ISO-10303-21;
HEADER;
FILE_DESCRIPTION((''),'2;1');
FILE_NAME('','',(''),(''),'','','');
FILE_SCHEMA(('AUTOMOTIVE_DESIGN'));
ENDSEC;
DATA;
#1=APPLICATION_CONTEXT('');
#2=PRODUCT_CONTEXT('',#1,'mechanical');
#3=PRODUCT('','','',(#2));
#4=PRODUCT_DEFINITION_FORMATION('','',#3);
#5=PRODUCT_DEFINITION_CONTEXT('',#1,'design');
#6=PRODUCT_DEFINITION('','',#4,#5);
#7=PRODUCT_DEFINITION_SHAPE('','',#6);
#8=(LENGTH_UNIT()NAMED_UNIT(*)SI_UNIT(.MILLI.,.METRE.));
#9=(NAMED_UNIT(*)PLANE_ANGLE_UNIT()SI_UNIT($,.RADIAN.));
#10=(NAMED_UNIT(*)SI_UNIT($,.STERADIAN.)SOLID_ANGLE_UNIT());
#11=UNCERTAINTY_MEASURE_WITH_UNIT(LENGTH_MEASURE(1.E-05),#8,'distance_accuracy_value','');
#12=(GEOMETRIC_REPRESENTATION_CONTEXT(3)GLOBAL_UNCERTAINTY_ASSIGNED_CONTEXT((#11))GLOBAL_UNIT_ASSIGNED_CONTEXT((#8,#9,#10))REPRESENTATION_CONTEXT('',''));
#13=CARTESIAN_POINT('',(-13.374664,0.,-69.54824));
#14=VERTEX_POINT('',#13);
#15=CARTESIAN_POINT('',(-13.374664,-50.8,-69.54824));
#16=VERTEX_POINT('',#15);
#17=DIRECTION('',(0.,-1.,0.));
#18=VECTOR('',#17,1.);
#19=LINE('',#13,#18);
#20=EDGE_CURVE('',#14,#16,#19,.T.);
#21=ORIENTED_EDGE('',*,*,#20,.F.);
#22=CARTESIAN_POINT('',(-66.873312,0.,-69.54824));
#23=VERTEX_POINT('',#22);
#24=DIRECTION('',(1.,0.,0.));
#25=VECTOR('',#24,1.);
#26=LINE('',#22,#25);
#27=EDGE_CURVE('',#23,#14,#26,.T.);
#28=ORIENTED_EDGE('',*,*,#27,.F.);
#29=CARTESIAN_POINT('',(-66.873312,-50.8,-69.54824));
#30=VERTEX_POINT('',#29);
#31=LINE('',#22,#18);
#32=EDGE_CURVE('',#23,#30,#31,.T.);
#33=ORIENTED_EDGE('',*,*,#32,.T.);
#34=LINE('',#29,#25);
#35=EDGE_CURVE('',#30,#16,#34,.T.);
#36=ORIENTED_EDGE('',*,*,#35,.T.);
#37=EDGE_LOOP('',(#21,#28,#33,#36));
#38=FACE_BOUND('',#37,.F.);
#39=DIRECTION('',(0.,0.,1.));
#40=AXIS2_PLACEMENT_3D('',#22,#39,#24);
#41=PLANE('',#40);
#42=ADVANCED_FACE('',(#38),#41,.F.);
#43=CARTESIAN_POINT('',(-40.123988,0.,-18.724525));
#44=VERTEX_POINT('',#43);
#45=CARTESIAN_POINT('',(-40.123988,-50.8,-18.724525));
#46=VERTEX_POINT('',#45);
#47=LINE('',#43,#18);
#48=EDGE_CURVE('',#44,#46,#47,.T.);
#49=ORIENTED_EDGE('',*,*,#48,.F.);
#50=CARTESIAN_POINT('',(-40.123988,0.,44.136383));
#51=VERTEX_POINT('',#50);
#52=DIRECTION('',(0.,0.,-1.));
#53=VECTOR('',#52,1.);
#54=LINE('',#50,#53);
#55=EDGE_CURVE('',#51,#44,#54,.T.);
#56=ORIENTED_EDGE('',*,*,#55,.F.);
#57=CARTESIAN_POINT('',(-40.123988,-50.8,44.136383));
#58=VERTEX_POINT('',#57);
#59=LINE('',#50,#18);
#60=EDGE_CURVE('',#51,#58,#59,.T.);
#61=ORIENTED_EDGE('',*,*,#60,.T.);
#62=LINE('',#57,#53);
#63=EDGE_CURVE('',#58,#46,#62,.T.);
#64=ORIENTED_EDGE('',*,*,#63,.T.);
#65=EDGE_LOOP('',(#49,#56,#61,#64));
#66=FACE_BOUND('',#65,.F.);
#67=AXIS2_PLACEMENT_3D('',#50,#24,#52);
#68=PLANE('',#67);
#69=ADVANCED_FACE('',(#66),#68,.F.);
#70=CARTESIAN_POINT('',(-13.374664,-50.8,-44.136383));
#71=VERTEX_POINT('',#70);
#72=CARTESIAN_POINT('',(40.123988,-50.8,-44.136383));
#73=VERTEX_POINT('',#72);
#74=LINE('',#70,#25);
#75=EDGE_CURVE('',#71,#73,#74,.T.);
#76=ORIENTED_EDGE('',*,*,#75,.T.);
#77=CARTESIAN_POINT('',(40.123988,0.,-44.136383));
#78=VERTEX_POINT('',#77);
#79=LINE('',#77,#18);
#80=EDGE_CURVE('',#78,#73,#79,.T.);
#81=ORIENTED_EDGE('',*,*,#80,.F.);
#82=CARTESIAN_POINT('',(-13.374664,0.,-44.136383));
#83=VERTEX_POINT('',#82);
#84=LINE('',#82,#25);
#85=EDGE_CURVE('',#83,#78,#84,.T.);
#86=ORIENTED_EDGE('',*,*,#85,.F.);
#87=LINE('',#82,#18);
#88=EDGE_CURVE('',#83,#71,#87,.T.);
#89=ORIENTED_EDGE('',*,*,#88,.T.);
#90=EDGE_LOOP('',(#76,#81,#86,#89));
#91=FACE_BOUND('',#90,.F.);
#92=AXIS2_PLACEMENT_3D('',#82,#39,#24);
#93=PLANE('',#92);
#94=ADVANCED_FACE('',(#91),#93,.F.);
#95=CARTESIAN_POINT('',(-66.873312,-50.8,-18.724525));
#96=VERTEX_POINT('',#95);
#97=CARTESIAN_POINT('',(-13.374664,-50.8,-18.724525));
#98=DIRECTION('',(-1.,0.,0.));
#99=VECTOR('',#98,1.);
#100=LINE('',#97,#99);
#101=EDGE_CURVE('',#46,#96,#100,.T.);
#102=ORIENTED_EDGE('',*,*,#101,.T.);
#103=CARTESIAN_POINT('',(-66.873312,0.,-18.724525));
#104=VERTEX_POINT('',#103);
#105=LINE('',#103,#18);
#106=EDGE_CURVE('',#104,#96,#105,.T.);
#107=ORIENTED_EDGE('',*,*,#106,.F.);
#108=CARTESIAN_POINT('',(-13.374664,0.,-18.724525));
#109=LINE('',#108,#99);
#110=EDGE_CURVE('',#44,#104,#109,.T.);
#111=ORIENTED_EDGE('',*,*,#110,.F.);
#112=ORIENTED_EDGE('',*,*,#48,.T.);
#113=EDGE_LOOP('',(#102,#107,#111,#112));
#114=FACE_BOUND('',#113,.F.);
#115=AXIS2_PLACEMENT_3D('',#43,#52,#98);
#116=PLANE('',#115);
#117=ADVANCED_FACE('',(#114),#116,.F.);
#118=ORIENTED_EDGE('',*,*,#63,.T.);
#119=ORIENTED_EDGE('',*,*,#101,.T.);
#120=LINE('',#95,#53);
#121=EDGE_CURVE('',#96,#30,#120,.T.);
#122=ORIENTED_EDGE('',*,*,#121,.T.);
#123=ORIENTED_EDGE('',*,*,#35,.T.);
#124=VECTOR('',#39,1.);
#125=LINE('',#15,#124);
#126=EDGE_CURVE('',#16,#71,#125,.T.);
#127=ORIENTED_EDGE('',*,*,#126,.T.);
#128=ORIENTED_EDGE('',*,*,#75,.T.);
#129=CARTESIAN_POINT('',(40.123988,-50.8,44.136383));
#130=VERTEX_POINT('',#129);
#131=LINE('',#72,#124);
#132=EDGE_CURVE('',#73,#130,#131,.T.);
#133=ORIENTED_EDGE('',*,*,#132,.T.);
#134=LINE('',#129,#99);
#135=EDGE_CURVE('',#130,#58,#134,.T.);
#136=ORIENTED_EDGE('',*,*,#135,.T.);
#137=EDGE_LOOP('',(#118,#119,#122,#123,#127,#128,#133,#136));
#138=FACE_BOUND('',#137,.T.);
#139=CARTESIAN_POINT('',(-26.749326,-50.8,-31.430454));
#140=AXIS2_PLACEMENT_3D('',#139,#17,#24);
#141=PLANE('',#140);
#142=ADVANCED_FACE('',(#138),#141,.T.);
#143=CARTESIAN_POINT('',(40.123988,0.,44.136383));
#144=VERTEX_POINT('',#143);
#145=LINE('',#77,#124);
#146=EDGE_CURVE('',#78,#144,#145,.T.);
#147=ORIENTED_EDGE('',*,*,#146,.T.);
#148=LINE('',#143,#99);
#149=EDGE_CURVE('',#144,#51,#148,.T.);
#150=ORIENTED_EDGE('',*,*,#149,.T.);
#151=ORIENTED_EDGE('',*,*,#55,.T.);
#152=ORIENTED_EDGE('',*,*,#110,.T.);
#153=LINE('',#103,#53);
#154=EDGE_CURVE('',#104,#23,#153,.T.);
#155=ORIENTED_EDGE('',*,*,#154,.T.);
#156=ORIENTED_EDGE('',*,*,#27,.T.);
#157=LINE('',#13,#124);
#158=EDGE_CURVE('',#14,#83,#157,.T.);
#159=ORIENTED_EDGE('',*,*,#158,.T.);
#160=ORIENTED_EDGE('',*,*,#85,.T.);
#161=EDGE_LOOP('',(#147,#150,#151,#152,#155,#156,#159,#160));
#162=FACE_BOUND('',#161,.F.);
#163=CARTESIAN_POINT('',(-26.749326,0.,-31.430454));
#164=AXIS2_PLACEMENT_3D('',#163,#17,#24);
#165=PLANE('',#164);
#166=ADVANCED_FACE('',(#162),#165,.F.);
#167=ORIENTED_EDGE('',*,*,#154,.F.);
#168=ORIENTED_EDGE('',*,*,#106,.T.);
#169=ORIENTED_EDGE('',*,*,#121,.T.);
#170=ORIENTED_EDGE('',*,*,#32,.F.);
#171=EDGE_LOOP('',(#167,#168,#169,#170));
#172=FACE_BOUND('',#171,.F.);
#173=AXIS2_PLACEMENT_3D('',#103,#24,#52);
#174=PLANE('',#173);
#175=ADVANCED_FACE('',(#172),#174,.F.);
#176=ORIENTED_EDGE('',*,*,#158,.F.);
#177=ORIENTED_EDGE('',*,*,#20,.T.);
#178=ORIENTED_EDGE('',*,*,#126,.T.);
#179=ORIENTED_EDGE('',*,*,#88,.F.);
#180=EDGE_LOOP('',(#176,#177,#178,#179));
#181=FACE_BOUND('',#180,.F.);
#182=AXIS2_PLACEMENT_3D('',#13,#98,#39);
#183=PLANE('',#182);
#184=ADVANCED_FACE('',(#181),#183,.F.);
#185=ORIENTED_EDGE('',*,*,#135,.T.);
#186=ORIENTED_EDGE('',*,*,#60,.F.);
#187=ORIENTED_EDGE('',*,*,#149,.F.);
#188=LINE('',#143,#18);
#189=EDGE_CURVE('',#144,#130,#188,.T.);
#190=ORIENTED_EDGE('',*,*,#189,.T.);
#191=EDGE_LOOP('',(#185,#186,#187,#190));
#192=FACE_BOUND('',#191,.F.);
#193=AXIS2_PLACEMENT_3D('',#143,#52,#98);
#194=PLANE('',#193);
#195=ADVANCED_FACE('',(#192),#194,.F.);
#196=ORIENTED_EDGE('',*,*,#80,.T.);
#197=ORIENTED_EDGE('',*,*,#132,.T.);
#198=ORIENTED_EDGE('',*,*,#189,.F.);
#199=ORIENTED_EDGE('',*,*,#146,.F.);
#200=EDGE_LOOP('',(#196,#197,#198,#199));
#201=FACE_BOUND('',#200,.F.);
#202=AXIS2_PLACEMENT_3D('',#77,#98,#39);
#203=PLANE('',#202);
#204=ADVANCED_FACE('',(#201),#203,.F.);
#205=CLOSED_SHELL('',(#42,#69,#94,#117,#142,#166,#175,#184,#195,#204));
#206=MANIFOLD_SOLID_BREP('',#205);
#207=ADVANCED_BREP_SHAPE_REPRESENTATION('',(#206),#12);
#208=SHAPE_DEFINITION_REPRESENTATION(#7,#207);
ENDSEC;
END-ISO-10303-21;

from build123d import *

# Parameters (mm, degrees)
F0_W     = 26.7493240535
F0_H     = 25.4118572921
F1_DEPTH = 50.8


with BuildPart() as f1:
    # F0 (on Front) → F1 (new body)
    with BuildSketch(Plane.XZ):
        with Locations((-26.7493259162, -31.4304539934)):
            Rectangle(F0_W, F0_H)
        Polygon((-13.3746638894, -44.1363826394), (-40.1239879429, -44.1363826394), (-40.1239879429, -18.7245253474), (-66.8733119965, -18.7245253474), (-66.8733119965, -69.5482399315), (-13.3746638894, -69.5482399315), align=None)
        Polygon((-13.3746638894, -18.7245253474), (-13.3746638894, -44.1363826394), (40.1239879429, -44.1363826394), (40.1239879429, 44.1363826394), (-40.1239879429, 44.1363826394), (-40.1239879429, -18.7245253474), align=None)
    extrude(amount=F1_DEPTH)


solid = f1.part
